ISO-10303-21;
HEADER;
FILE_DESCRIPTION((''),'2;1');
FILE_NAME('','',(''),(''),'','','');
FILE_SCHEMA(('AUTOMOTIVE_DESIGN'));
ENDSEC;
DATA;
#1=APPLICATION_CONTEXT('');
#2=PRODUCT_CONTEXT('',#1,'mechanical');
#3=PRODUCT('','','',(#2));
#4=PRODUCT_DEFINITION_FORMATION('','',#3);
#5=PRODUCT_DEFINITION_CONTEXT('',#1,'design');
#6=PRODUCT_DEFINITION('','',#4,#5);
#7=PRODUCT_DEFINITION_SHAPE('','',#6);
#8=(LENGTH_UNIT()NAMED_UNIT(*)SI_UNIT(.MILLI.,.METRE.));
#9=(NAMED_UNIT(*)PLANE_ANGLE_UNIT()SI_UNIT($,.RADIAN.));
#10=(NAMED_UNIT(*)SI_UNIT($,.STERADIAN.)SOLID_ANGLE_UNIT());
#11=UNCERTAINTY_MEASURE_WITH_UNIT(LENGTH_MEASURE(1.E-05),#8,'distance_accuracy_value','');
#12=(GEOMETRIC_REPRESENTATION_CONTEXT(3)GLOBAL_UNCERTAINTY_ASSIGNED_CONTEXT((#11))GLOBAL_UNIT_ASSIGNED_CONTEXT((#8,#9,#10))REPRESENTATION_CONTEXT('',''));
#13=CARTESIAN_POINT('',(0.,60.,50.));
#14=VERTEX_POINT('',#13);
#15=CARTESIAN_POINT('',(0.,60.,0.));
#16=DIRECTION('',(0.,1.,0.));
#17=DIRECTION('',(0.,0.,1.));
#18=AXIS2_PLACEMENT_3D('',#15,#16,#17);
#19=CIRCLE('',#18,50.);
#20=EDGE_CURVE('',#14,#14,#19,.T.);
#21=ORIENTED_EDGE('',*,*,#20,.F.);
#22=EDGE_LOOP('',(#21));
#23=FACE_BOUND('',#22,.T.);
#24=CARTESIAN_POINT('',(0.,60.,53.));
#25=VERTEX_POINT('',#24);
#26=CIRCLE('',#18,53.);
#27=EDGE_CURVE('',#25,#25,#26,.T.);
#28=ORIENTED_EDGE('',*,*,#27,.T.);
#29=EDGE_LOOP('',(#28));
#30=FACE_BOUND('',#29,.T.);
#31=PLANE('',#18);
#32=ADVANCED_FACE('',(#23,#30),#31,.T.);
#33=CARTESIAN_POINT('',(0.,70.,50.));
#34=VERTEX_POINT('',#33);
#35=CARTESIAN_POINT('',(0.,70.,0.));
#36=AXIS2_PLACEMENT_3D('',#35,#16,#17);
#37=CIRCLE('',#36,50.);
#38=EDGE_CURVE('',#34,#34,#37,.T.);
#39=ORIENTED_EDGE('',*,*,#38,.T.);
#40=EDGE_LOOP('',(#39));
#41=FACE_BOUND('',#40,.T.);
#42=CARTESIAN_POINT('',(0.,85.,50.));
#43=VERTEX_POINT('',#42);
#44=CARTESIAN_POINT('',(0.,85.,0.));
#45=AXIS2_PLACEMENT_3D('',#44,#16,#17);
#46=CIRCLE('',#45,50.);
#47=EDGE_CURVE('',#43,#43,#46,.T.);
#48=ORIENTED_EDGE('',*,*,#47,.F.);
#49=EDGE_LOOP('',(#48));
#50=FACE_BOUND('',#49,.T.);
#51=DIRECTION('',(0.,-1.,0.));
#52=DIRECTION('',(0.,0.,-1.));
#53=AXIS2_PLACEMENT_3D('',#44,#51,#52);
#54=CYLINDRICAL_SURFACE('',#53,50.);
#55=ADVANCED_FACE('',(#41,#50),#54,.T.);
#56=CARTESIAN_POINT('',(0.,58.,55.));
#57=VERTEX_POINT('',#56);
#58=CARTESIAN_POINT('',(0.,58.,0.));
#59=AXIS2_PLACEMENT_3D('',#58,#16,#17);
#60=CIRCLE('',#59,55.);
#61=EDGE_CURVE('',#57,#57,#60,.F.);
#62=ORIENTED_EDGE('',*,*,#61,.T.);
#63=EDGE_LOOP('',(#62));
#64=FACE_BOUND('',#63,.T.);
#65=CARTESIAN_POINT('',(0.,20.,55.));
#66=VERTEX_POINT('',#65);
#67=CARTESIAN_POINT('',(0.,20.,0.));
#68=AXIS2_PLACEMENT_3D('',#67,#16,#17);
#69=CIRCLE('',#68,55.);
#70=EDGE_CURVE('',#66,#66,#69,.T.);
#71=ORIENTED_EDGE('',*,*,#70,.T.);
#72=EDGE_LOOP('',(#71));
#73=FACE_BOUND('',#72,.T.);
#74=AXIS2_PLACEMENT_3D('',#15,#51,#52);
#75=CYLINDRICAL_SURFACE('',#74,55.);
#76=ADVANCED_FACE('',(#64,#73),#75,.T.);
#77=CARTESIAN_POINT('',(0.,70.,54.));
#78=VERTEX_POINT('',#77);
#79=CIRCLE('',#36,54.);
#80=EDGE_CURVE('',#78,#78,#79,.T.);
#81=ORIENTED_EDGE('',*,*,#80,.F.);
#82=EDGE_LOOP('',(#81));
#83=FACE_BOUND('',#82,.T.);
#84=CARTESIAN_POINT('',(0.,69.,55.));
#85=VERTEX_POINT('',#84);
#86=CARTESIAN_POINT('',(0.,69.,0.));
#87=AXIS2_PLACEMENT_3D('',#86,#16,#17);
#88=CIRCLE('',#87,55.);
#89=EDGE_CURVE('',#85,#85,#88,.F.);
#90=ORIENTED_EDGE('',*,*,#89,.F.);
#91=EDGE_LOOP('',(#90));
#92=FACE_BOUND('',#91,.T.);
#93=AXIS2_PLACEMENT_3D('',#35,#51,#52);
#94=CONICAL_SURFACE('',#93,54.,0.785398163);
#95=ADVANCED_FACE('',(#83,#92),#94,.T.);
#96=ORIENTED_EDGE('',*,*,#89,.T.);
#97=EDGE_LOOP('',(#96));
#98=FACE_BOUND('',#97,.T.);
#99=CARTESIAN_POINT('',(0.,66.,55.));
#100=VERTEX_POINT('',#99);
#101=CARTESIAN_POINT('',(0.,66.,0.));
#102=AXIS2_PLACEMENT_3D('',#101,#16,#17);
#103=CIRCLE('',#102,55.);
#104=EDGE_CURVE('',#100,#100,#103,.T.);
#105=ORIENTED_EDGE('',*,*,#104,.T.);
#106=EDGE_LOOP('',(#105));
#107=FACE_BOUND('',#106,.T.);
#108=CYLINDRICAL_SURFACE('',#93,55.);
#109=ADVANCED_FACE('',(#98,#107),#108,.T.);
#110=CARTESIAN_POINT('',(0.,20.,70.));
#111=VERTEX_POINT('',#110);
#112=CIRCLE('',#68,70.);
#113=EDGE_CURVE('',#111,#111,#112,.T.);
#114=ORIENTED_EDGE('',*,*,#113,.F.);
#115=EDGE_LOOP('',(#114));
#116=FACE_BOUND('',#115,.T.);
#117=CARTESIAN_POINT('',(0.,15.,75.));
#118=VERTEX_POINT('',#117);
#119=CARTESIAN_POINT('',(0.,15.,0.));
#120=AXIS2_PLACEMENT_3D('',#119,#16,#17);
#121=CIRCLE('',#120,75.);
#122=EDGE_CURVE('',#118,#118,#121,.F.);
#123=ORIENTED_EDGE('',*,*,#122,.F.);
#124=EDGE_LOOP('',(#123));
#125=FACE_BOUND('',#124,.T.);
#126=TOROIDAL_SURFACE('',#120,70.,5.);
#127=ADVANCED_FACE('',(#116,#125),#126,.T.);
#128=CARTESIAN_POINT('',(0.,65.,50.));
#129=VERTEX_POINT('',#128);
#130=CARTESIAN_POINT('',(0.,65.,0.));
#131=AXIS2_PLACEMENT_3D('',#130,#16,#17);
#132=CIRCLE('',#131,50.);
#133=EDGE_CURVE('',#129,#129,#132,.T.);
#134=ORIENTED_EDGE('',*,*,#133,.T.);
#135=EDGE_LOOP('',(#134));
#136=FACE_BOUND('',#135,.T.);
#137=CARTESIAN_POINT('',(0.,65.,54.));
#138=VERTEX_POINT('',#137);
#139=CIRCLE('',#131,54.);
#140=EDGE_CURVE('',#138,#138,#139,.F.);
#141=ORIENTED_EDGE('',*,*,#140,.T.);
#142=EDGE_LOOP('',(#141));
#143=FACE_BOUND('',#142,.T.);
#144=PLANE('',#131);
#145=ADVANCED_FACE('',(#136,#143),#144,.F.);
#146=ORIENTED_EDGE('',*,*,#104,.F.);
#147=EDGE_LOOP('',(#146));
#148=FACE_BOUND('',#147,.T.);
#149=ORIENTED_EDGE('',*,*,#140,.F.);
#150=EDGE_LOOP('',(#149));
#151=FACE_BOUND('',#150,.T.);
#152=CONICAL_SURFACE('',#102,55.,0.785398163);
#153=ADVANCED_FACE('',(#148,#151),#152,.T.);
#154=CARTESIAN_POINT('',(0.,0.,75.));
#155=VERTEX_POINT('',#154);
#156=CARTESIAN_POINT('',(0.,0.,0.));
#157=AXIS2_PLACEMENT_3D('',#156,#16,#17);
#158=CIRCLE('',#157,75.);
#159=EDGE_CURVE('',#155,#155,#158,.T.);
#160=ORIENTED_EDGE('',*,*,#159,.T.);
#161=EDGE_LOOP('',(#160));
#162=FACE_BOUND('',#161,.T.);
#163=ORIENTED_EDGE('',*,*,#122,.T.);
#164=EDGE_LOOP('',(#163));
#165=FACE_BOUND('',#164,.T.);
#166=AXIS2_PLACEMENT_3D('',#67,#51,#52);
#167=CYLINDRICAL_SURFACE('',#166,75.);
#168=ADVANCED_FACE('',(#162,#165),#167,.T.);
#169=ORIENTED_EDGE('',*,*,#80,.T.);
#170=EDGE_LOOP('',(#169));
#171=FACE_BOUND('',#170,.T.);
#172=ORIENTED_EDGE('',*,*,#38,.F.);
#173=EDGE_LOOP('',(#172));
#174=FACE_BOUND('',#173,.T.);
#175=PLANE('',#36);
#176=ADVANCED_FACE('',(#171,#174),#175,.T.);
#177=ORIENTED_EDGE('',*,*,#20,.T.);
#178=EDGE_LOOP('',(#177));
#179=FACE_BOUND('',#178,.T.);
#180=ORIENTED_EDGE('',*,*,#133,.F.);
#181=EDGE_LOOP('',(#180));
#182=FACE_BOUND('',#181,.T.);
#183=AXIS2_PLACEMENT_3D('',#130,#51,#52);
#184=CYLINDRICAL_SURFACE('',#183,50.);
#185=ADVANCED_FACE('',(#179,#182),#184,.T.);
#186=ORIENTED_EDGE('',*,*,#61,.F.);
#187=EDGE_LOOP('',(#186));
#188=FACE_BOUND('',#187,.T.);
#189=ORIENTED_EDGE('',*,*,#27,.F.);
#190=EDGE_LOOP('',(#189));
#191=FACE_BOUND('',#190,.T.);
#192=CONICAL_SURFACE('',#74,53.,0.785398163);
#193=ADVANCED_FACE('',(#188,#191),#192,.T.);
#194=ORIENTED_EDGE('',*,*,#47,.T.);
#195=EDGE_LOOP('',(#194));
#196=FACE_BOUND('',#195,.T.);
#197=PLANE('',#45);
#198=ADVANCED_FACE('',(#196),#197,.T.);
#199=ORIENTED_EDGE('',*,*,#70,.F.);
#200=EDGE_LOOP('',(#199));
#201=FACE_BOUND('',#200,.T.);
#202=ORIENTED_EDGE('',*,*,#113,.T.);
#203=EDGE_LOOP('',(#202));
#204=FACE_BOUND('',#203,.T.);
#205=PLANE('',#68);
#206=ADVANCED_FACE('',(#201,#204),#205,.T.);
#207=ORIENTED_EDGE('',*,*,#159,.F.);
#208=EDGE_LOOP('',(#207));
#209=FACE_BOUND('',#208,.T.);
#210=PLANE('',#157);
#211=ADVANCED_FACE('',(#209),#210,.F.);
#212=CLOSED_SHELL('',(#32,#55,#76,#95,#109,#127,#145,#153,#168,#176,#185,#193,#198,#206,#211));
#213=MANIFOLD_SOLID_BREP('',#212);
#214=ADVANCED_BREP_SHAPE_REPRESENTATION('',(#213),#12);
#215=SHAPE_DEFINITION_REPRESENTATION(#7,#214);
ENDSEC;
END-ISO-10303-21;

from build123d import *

# Parameters (mm, degrees)
SKETCH2_R           = 75
BOSS_EXTRUDE1_DEPTH = 20
FILLET1_R           = 5
SKETCH6_R           = 55
BOSS_EXTRUDE4_DEPTH = 40
SKETCH7_R           = 50
BOSS_EXTRUDE5_DEPTH = 5
SKETCH8_R           = 55
BOSS_EXTRUDE7_DEPTH = 5
SKETCH10_R          = 50
BOSS_EXTRUDE8_DEPTH = 15
CHAMFER7_SIZE       = 1
CHAMFER8_SIZE       = 2


with BuildPart() as part:
    # Sketch2 → Boss-Extrude1 (new body)
    with BuildSketch(Plane(origin=(0, 0, 0), x_dir=(1, 0, 0), z_dir=(0, 1, 0))):
        with Locations(Location((0, 0, 0), (0, 0, 270))):
            Circle(SKETCH2_R)
    extrude(amount=BOSS_EXTRUDE1_DEPTH)

    # Fillet1
    fillet1_edges = [part.edges().sort_by_distance(p)[0] for p in [
        (0, 20, -75),
    ]]
    fillet(fillet1_edges, radius=FILLET1_R)

    # Sketch6 → Boss-Extrude4 (add)
    with BuildSketch(Plane(origin=(0, 20, 0), x_dir=(1, 0, 0), z_dir=(0, 1, 0))):
        with Locations(Location((0, 0, 0), (0, 0, 270))):
            Circle(SKETCH6_R)
    extrude(amount=BOSS_EXTRUDE4_DEPTH)

    # Sketch7 → Boss-Extrude5 (add)
    with BuildSketch(Plane(origin=(0, 60, 0), x_dir=(1, 0, 0), z_dir=(0, 1, 0))):
        with Locations(Location((0, 0, 0), (0, 0, 270))):
            Circle(SKETCH7_R)
    extrude(amount=BOSS_EXTRUDE5_DEPTH)

    # Sketch8 → Boss-Extrude7 (add)
    with BuildSketch(Plane(origin=(0, 65, 0), x_dir=(1, 0, 0), z_dir=(0, 1, 0))):
        with Locations(Location((0, 0, 0), (0, 0, 270))):
            Circle(SKETCH8_R)
    extrude(amount=BOSS_EXTRUDE7_DEPTH)

    # Sketch10 → Boss-Extrude8 (add)
    with BuildSketch(Plane(origin=(0, 70, 0), x_dir=(1, 0, 0), z_dir=(0, 1, 0))):
        with Locations(Location((0, 0, 0), (0, 0, 270))):
            Circle(SKETCH10_R)
    extrude(amount=BOSS_EXTRUDE8_DEPTH)

    # Chamfer7
    chamfer7_edges = [part.edges().sort_by_distance(p)[0] for p in [
        (0, 65, -55),
        (0, 70, -55),
    ]]
    chamfer(chamfer7_edges, length=CHAMFER7_SIZE)

    # Chamfer8
    chamfer8_edges = [part.edges().sort_by_distance(p)[0] for p in [
        (0, 60, -55),
    ]]
    chamfer(chamfer8_edges, length=CHAMFER8_SIZE)


solid = part.part
